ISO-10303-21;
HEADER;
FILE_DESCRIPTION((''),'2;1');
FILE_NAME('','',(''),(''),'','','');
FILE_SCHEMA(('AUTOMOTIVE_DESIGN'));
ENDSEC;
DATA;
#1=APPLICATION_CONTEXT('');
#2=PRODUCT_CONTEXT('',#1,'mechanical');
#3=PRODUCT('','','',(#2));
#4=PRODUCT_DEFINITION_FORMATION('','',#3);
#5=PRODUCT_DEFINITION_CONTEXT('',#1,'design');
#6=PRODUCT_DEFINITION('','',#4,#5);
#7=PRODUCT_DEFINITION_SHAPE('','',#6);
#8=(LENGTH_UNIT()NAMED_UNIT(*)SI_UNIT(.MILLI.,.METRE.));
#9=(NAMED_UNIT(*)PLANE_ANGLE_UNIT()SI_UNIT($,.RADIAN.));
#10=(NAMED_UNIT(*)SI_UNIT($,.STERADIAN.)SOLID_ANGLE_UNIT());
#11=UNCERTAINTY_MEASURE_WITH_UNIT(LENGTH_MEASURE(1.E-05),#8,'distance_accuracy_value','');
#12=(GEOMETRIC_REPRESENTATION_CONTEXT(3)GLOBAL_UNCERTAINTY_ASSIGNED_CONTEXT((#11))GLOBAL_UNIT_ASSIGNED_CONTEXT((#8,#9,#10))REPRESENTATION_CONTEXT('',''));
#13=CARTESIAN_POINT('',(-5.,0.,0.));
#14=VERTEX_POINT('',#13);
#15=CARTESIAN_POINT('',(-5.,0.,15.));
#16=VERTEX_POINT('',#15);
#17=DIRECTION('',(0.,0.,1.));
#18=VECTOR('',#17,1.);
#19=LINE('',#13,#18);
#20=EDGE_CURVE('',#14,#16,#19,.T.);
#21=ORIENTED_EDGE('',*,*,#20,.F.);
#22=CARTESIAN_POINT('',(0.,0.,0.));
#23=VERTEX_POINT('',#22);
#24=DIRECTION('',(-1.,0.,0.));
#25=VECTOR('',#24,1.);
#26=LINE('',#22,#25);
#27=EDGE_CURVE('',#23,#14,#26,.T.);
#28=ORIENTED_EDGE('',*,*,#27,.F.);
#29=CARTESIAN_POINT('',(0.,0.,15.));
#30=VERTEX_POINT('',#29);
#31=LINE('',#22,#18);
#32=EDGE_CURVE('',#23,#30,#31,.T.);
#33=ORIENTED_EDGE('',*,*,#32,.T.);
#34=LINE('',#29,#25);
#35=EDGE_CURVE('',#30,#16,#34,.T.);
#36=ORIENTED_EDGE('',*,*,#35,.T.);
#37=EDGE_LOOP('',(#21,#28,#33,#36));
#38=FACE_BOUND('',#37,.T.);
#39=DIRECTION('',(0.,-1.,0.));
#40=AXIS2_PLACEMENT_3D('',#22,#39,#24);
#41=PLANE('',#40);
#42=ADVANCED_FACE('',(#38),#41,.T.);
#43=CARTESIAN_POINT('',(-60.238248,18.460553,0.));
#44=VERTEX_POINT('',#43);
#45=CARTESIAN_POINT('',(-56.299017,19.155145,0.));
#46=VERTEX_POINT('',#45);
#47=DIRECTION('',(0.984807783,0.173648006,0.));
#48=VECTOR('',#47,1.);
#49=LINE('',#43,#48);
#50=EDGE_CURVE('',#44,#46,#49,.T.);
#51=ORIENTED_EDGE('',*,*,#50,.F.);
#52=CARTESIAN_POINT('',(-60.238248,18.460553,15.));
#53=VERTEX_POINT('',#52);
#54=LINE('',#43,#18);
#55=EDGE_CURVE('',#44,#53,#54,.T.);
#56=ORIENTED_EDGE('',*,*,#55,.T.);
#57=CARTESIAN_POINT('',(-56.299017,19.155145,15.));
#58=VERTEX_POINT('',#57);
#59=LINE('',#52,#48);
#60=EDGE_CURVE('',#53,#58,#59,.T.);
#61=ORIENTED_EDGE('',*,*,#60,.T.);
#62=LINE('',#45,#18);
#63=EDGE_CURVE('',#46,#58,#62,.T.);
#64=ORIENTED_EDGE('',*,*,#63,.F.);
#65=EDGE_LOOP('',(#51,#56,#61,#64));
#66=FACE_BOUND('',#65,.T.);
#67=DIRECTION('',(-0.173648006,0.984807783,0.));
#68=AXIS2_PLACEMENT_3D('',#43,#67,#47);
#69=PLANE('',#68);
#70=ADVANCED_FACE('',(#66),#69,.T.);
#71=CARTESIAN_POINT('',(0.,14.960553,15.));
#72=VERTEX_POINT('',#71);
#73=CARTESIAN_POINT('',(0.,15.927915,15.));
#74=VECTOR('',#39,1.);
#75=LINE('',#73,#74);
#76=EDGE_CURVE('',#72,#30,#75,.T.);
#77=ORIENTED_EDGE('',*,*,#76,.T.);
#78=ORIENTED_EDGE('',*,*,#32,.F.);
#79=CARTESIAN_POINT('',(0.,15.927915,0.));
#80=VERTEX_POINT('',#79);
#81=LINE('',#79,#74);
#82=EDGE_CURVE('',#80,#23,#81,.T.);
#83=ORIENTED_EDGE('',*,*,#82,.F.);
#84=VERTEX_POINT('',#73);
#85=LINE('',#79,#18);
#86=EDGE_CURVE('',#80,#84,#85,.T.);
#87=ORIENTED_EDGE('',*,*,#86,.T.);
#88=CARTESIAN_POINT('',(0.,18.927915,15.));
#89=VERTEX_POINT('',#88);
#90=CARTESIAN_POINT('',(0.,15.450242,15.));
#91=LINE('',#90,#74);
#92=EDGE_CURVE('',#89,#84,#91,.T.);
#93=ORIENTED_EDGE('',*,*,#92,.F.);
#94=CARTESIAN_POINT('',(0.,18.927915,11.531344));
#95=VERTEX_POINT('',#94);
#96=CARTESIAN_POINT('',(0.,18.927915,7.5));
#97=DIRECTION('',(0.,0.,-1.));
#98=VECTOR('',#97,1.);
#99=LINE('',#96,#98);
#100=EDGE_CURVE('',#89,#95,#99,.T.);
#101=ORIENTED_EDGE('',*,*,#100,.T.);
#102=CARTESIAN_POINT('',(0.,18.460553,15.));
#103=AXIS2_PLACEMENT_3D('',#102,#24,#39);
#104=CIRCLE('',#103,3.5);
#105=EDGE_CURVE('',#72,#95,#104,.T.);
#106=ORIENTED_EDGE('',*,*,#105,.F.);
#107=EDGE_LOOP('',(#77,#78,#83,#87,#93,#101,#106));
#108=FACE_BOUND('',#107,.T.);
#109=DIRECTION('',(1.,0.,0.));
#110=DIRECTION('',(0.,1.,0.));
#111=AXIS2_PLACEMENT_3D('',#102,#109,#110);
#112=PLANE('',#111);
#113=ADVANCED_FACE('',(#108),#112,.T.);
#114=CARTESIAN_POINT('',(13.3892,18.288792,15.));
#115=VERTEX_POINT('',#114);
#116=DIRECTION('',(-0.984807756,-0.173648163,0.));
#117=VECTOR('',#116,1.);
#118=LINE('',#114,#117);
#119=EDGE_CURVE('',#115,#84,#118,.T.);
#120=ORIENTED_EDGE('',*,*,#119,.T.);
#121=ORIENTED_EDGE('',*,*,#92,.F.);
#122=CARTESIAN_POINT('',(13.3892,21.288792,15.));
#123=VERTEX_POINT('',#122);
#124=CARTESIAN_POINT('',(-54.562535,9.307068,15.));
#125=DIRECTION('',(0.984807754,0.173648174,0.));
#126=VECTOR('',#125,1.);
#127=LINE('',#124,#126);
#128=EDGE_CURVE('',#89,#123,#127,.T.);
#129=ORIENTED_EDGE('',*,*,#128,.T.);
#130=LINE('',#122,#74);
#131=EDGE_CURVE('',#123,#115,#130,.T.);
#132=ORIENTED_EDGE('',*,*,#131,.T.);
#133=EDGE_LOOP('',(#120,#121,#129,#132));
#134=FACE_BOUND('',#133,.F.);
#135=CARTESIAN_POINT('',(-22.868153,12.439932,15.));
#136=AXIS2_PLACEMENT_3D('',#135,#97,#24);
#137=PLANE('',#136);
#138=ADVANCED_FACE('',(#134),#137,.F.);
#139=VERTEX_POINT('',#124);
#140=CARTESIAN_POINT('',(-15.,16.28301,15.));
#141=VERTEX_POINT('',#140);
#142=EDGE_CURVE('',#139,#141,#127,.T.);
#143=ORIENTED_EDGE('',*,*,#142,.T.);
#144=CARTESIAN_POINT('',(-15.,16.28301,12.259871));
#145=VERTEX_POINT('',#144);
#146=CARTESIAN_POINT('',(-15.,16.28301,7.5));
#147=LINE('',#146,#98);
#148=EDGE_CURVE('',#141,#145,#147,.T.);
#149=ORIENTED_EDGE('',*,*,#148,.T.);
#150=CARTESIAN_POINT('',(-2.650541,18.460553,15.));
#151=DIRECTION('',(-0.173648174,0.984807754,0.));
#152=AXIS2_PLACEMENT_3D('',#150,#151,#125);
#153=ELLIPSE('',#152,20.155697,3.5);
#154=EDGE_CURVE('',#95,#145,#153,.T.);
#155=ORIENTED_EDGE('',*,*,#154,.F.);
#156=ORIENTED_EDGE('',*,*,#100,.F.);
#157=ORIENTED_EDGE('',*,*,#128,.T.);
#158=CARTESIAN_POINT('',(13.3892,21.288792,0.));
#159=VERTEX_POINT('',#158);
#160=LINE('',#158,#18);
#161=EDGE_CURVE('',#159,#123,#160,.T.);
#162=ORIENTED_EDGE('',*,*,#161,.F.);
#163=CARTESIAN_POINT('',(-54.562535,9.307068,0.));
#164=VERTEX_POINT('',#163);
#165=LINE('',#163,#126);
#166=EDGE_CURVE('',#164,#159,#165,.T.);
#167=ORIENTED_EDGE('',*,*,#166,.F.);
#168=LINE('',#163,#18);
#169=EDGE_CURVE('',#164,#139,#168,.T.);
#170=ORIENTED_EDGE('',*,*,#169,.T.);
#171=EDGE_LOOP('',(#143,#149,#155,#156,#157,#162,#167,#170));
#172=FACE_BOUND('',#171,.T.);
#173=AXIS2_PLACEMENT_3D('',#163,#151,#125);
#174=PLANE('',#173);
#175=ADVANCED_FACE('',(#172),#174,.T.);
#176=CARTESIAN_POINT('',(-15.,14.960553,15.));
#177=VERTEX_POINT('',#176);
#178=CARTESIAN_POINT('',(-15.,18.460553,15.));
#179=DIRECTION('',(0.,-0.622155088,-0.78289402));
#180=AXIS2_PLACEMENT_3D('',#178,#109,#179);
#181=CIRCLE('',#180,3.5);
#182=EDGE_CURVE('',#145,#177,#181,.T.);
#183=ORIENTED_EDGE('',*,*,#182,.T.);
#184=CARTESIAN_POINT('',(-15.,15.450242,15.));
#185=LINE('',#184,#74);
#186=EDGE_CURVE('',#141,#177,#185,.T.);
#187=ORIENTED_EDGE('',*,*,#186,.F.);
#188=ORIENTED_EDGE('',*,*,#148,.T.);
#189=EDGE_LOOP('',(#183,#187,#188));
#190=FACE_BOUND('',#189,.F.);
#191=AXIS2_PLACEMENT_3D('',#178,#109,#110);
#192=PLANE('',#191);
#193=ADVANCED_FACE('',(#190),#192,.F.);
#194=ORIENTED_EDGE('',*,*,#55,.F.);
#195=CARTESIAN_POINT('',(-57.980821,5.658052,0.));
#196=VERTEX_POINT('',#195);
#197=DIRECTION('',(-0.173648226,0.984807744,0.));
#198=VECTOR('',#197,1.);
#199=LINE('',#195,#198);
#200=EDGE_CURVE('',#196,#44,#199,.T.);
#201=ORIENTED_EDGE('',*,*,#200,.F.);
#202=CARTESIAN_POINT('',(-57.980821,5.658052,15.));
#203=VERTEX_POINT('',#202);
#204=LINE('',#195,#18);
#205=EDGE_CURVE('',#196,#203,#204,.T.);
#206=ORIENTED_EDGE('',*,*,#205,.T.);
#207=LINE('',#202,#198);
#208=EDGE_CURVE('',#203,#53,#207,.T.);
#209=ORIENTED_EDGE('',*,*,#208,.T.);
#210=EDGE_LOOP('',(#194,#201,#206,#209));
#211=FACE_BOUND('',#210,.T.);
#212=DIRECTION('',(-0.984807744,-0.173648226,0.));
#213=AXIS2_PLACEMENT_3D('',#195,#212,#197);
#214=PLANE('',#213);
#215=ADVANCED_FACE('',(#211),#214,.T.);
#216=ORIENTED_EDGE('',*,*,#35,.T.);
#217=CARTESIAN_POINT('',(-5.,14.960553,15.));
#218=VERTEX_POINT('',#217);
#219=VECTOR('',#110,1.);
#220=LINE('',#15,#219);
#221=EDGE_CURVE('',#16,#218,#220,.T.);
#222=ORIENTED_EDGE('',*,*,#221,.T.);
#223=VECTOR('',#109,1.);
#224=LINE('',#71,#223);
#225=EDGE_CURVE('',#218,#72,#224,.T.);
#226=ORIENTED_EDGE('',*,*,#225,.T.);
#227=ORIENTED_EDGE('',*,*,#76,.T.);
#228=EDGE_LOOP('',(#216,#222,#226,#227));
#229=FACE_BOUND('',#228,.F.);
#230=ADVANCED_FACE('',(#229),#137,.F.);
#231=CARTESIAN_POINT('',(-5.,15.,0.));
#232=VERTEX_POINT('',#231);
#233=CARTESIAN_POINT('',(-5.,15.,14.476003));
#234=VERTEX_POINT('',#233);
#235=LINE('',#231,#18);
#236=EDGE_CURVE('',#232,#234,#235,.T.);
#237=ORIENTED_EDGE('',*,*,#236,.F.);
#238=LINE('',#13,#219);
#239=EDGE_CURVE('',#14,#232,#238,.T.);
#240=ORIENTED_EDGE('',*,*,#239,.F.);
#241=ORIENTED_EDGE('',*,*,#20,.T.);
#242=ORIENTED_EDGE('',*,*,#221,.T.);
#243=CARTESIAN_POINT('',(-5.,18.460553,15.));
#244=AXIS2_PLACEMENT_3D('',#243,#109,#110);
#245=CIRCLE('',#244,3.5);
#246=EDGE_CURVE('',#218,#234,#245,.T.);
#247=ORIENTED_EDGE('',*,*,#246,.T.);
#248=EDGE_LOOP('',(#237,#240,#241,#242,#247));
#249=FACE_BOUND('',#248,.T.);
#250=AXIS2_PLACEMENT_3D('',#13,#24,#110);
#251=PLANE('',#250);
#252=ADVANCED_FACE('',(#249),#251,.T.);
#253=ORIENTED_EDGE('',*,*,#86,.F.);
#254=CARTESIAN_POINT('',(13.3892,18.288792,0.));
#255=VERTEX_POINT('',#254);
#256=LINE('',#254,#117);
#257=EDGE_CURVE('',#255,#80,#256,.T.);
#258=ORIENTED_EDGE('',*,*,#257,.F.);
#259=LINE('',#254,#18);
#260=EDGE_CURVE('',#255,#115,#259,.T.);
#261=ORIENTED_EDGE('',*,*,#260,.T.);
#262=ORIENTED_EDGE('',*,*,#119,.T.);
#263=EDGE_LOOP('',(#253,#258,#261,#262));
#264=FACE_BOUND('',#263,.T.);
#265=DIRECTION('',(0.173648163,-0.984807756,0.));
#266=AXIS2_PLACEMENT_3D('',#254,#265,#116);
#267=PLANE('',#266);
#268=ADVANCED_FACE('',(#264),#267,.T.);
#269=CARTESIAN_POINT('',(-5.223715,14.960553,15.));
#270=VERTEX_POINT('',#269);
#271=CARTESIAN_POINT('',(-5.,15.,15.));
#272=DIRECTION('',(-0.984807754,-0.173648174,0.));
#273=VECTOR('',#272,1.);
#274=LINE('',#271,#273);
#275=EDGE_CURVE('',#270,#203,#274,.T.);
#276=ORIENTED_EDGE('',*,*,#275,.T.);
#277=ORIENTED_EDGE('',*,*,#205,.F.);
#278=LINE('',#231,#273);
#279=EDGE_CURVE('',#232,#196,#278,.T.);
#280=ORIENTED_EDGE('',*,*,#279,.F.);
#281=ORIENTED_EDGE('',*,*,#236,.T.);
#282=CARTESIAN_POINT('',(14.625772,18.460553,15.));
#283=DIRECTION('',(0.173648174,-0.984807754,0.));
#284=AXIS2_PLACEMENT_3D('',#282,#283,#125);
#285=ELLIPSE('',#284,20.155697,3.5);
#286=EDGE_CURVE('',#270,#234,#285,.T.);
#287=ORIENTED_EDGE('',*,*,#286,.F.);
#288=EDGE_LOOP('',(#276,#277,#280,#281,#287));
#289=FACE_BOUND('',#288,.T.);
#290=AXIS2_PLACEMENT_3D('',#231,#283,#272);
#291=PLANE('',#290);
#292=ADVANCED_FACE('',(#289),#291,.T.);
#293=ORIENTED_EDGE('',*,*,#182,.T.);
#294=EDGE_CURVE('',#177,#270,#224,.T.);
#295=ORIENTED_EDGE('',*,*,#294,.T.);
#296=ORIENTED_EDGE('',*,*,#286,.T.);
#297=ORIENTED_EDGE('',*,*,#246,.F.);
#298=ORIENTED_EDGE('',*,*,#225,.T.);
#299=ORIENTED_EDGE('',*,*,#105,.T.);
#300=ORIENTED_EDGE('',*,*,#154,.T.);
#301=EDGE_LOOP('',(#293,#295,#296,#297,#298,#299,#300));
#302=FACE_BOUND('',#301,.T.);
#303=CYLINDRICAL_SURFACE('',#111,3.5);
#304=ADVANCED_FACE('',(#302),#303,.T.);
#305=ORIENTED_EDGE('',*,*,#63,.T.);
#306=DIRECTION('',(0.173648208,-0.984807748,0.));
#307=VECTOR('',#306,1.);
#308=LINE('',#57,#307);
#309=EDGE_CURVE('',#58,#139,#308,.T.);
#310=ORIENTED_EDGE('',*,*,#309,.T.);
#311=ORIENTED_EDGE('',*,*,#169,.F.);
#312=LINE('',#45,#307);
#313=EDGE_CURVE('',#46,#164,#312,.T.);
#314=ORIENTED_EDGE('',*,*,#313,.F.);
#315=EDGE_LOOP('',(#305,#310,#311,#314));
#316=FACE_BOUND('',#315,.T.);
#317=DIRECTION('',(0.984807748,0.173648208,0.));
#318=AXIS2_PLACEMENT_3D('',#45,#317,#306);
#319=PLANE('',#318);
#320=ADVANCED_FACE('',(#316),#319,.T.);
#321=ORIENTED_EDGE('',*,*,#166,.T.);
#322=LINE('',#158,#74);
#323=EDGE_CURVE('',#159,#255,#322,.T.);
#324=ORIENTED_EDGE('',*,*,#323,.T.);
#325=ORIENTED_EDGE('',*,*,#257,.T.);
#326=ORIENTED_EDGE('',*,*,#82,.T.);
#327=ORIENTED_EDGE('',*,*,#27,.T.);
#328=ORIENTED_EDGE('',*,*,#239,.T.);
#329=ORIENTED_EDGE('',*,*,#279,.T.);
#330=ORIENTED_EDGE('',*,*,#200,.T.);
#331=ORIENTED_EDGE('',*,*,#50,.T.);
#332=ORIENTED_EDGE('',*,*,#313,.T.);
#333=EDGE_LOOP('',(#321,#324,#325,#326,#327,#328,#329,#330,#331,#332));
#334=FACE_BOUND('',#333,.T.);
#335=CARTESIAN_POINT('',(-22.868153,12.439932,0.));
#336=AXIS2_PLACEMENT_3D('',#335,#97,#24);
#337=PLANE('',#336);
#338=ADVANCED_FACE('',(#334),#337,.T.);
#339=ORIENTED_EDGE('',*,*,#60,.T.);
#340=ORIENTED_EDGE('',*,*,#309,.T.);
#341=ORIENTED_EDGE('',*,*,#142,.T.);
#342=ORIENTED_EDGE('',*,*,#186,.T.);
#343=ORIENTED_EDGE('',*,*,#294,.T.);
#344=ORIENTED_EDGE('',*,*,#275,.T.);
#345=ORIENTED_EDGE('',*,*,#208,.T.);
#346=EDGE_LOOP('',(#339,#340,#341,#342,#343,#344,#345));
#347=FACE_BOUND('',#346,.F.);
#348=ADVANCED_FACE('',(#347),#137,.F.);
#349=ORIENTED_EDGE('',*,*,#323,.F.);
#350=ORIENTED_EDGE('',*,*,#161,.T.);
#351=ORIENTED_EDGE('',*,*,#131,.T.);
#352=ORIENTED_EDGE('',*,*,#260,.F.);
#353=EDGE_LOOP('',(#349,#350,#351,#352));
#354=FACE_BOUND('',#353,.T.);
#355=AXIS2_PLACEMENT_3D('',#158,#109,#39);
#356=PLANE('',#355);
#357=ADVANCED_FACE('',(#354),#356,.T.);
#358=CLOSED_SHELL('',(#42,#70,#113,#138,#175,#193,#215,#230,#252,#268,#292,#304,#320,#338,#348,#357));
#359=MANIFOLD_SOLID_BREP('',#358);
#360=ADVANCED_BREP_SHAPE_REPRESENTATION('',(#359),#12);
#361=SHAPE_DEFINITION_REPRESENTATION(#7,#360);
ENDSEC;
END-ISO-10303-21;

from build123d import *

# Parameters (mm, degrees)
PAD_DEPTH    = 15
SKETCH001_R  = 3.5
PAD001_DEPTH = 15


with BuildPart() as part:
    # Sketch → Pad (new body)
    with BuildSketch(Plane.XY):
        Polygon((0, 0), (-5, 0), (-5, 15), (-57.980821, 5.658052), (-60.238248, 18.460553), (-56.299017, 19.155145), (-54.562535, 9.307068), (13.3892, 21.288792), (13.3892, 18.288792), (0, 15.927915), align=None)
    extrude(amount=PAD_DEPTH)

    # Sketch001 → Pad001 (new body)
    with BuildSketch(Plane.YZ):
        with Locations((18.460553, 15)):
            Circle(SKETCH001_R)
    extrude(amount=-PAD001_DEPTH)


solid = part.part
